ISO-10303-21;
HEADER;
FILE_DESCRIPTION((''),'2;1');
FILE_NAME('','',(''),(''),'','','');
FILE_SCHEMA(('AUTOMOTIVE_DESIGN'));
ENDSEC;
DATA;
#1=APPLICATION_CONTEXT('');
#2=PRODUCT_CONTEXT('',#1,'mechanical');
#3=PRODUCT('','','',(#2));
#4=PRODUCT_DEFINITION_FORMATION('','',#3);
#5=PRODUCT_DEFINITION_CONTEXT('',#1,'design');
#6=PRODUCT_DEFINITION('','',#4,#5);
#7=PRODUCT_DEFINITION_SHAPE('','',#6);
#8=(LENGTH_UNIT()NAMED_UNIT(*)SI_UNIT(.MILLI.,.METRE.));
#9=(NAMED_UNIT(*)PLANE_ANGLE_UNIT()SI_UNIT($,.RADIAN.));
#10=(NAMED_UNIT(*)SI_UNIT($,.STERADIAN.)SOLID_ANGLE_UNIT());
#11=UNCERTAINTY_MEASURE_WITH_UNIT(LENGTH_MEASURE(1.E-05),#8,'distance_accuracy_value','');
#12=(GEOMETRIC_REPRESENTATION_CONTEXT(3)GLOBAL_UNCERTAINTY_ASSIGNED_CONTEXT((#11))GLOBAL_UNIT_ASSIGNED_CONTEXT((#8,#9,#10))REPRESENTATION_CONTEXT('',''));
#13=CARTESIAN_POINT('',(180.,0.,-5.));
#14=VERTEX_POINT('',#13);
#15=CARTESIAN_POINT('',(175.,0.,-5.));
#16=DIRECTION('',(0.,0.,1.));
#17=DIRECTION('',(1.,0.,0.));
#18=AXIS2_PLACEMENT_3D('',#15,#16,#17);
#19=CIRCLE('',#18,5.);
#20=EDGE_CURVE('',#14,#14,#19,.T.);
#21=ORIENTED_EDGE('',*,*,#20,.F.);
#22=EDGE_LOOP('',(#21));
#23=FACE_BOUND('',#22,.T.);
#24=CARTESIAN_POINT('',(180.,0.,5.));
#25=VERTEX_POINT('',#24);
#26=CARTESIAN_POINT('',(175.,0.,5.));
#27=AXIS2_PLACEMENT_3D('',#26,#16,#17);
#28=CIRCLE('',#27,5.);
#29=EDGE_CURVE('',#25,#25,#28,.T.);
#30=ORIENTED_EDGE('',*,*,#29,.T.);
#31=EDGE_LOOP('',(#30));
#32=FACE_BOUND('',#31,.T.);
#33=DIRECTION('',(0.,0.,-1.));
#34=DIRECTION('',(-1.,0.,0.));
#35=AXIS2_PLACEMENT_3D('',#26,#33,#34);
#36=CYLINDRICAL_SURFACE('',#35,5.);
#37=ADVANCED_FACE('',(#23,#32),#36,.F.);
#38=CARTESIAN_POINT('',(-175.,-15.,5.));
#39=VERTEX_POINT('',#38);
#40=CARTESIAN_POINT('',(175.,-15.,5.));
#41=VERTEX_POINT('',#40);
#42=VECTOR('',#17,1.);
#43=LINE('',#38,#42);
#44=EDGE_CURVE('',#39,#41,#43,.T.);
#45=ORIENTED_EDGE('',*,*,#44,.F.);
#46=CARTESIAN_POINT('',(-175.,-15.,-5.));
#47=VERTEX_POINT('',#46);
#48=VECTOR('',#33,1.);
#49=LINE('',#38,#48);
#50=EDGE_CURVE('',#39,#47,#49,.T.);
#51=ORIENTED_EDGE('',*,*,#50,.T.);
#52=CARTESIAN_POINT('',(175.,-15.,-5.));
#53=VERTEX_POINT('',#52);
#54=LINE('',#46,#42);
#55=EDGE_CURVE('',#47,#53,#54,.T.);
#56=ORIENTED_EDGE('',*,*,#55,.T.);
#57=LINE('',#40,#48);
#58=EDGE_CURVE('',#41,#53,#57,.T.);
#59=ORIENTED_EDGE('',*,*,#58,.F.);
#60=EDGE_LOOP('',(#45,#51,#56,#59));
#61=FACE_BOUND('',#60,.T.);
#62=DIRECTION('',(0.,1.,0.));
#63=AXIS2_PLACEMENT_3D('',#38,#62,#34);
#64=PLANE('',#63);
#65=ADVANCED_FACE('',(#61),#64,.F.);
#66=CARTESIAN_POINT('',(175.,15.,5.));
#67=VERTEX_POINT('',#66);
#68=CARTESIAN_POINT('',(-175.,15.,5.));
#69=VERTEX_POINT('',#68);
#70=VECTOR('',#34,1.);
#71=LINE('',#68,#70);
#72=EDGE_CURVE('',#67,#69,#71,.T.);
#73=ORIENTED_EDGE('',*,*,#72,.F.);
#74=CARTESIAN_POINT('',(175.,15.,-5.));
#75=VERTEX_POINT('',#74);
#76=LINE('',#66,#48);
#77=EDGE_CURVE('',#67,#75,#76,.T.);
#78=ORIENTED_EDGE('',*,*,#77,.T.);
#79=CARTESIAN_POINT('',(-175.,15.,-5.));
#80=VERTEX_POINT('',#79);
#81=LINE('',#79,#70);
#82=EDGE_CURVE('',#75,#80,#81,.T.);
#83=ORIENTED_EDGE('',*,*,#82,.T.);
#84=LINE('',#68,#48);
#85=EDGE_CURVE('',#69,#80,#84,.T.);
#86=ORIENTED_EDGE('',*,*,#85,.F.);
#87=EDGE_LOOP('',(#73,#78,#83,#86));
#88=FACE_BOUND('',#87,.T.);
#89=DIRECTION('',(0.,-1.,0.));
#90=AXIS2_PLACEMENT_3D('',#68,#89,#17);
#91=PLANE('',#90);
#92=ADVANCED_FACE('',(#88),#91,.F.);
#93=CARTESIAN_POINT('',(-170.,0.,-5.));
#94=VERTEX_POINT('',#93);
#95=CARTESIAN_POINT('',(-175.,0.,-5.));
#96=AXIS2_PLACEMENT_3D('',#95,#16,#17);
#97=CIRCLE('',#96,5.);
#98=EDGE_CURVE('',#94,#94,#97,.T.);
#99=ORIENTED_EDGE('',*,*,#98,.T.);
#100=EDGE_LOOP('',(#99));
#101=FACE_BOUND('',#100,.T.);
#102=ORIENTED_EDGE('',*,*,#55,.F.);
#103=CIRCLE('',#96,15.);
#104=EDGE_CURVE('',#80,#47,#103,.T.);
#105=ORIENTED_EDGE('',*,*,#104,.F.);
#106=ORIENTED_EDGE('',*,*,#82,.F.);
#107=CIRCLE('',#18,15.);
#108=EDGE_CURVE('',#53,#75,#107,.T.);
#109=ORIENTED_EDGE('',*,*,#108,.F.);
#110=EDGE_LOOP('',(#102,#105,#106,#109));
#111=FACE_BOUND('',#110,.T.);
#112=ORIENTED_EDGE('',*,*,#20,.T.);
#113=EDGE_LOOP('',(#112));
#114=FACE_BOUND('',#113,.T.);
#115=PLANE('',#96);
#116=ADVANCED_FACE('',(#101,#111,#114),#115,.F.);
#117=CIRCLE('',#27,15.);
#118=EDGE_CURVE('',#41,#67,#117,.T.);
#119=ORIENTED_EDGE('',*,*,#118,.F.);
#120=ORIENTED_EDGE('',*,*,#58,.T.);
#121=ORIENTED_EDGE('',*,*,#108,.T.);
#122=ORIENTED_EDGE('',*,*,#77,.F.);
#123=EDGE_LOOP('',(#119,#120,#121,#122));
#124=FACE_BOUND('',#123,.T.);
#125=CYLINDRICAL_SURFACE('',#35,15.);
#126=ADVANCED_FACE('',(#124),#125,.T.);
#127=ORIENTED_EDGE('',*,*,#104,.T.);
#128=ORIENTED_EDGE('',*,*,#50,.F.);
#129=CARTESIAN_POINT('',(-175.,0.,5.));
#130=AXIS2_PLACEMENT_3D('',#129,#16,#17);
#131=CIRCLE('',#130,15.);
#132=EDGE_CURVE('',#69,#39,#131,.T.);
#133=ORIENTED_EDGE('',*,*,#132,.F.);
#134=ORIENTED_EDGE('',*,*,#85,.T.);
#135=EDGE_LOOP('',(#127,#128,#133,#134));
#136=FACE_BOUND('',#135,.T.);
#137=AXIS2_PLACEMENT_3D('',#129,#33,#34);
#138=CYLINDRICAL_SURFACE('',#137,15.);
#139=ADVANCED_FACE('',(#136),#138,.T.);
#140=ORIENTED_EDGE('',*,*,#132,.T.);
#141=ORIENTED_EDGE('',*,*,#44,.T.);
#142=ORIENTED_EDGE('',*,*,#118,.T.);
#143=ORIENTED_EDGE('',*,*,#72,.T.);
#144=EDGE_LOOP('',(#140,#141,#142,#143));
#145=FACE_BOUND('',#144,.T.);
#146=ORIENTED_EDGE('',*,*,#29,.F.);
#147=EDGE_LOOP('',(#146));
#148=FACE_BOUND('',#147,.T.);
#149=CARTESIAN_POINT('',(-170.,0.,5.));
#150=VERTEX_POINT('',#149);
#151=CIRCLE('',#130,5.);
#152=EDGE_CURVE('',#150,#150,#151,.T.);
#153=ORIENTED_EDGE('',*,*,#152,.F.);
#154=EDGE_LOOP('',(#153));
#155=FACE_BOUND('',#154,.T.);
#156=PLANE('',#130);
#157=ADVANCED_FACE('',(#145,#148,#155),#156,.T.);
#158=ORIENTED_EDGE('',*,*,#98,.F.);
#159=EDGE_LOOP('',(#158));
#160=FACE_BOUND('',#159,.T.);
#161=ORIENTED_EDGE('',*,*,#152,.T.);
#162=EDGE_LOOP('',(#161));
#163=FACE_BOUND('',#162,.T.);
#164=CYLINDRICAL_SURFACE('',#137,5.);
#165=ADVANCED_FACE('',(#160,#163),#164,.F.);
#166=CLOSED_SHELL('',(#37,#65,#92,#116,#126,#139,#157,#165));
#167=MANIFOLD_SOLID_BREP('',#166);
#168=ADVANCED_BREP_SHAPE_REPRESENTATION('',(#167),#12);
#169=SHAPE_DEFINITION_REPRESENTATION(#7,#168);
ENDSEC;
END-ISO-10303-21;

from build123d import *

# Parameters (mm, degrees)
IZIM1_R                     = 5
Y_KSEKLIK_EKSTR_ZYON1_DEPTH = 5


with BuildPart() as part:
    # Çizim1 → Yükseklik-Ekstrüzyon1 (new, symmetric)
    with BuildSketch(Plane.XY):
        with BuildLine():
            Line((-175, 15), (175, 15))
            ThreePointArc((175, 15), (190, 0), (175, -15))
            Line((175, -15), (-175, -15))
            ThreePointArc((-175, -15), (-190, 0), (-175, 15))
        make_face()
        with Locations((175, 0)):
            Circle(IZIM1_R, mode=Mode.SUBTRACT)
        with Locations((-175, 0)):
            Circle(IZIM1_R, mode=Mode.SUBTRACT)
    extrude(amount=Y_KSEKLIK_EKSTR_ZYON1_DEPTH, both=True)


solid = part.part
